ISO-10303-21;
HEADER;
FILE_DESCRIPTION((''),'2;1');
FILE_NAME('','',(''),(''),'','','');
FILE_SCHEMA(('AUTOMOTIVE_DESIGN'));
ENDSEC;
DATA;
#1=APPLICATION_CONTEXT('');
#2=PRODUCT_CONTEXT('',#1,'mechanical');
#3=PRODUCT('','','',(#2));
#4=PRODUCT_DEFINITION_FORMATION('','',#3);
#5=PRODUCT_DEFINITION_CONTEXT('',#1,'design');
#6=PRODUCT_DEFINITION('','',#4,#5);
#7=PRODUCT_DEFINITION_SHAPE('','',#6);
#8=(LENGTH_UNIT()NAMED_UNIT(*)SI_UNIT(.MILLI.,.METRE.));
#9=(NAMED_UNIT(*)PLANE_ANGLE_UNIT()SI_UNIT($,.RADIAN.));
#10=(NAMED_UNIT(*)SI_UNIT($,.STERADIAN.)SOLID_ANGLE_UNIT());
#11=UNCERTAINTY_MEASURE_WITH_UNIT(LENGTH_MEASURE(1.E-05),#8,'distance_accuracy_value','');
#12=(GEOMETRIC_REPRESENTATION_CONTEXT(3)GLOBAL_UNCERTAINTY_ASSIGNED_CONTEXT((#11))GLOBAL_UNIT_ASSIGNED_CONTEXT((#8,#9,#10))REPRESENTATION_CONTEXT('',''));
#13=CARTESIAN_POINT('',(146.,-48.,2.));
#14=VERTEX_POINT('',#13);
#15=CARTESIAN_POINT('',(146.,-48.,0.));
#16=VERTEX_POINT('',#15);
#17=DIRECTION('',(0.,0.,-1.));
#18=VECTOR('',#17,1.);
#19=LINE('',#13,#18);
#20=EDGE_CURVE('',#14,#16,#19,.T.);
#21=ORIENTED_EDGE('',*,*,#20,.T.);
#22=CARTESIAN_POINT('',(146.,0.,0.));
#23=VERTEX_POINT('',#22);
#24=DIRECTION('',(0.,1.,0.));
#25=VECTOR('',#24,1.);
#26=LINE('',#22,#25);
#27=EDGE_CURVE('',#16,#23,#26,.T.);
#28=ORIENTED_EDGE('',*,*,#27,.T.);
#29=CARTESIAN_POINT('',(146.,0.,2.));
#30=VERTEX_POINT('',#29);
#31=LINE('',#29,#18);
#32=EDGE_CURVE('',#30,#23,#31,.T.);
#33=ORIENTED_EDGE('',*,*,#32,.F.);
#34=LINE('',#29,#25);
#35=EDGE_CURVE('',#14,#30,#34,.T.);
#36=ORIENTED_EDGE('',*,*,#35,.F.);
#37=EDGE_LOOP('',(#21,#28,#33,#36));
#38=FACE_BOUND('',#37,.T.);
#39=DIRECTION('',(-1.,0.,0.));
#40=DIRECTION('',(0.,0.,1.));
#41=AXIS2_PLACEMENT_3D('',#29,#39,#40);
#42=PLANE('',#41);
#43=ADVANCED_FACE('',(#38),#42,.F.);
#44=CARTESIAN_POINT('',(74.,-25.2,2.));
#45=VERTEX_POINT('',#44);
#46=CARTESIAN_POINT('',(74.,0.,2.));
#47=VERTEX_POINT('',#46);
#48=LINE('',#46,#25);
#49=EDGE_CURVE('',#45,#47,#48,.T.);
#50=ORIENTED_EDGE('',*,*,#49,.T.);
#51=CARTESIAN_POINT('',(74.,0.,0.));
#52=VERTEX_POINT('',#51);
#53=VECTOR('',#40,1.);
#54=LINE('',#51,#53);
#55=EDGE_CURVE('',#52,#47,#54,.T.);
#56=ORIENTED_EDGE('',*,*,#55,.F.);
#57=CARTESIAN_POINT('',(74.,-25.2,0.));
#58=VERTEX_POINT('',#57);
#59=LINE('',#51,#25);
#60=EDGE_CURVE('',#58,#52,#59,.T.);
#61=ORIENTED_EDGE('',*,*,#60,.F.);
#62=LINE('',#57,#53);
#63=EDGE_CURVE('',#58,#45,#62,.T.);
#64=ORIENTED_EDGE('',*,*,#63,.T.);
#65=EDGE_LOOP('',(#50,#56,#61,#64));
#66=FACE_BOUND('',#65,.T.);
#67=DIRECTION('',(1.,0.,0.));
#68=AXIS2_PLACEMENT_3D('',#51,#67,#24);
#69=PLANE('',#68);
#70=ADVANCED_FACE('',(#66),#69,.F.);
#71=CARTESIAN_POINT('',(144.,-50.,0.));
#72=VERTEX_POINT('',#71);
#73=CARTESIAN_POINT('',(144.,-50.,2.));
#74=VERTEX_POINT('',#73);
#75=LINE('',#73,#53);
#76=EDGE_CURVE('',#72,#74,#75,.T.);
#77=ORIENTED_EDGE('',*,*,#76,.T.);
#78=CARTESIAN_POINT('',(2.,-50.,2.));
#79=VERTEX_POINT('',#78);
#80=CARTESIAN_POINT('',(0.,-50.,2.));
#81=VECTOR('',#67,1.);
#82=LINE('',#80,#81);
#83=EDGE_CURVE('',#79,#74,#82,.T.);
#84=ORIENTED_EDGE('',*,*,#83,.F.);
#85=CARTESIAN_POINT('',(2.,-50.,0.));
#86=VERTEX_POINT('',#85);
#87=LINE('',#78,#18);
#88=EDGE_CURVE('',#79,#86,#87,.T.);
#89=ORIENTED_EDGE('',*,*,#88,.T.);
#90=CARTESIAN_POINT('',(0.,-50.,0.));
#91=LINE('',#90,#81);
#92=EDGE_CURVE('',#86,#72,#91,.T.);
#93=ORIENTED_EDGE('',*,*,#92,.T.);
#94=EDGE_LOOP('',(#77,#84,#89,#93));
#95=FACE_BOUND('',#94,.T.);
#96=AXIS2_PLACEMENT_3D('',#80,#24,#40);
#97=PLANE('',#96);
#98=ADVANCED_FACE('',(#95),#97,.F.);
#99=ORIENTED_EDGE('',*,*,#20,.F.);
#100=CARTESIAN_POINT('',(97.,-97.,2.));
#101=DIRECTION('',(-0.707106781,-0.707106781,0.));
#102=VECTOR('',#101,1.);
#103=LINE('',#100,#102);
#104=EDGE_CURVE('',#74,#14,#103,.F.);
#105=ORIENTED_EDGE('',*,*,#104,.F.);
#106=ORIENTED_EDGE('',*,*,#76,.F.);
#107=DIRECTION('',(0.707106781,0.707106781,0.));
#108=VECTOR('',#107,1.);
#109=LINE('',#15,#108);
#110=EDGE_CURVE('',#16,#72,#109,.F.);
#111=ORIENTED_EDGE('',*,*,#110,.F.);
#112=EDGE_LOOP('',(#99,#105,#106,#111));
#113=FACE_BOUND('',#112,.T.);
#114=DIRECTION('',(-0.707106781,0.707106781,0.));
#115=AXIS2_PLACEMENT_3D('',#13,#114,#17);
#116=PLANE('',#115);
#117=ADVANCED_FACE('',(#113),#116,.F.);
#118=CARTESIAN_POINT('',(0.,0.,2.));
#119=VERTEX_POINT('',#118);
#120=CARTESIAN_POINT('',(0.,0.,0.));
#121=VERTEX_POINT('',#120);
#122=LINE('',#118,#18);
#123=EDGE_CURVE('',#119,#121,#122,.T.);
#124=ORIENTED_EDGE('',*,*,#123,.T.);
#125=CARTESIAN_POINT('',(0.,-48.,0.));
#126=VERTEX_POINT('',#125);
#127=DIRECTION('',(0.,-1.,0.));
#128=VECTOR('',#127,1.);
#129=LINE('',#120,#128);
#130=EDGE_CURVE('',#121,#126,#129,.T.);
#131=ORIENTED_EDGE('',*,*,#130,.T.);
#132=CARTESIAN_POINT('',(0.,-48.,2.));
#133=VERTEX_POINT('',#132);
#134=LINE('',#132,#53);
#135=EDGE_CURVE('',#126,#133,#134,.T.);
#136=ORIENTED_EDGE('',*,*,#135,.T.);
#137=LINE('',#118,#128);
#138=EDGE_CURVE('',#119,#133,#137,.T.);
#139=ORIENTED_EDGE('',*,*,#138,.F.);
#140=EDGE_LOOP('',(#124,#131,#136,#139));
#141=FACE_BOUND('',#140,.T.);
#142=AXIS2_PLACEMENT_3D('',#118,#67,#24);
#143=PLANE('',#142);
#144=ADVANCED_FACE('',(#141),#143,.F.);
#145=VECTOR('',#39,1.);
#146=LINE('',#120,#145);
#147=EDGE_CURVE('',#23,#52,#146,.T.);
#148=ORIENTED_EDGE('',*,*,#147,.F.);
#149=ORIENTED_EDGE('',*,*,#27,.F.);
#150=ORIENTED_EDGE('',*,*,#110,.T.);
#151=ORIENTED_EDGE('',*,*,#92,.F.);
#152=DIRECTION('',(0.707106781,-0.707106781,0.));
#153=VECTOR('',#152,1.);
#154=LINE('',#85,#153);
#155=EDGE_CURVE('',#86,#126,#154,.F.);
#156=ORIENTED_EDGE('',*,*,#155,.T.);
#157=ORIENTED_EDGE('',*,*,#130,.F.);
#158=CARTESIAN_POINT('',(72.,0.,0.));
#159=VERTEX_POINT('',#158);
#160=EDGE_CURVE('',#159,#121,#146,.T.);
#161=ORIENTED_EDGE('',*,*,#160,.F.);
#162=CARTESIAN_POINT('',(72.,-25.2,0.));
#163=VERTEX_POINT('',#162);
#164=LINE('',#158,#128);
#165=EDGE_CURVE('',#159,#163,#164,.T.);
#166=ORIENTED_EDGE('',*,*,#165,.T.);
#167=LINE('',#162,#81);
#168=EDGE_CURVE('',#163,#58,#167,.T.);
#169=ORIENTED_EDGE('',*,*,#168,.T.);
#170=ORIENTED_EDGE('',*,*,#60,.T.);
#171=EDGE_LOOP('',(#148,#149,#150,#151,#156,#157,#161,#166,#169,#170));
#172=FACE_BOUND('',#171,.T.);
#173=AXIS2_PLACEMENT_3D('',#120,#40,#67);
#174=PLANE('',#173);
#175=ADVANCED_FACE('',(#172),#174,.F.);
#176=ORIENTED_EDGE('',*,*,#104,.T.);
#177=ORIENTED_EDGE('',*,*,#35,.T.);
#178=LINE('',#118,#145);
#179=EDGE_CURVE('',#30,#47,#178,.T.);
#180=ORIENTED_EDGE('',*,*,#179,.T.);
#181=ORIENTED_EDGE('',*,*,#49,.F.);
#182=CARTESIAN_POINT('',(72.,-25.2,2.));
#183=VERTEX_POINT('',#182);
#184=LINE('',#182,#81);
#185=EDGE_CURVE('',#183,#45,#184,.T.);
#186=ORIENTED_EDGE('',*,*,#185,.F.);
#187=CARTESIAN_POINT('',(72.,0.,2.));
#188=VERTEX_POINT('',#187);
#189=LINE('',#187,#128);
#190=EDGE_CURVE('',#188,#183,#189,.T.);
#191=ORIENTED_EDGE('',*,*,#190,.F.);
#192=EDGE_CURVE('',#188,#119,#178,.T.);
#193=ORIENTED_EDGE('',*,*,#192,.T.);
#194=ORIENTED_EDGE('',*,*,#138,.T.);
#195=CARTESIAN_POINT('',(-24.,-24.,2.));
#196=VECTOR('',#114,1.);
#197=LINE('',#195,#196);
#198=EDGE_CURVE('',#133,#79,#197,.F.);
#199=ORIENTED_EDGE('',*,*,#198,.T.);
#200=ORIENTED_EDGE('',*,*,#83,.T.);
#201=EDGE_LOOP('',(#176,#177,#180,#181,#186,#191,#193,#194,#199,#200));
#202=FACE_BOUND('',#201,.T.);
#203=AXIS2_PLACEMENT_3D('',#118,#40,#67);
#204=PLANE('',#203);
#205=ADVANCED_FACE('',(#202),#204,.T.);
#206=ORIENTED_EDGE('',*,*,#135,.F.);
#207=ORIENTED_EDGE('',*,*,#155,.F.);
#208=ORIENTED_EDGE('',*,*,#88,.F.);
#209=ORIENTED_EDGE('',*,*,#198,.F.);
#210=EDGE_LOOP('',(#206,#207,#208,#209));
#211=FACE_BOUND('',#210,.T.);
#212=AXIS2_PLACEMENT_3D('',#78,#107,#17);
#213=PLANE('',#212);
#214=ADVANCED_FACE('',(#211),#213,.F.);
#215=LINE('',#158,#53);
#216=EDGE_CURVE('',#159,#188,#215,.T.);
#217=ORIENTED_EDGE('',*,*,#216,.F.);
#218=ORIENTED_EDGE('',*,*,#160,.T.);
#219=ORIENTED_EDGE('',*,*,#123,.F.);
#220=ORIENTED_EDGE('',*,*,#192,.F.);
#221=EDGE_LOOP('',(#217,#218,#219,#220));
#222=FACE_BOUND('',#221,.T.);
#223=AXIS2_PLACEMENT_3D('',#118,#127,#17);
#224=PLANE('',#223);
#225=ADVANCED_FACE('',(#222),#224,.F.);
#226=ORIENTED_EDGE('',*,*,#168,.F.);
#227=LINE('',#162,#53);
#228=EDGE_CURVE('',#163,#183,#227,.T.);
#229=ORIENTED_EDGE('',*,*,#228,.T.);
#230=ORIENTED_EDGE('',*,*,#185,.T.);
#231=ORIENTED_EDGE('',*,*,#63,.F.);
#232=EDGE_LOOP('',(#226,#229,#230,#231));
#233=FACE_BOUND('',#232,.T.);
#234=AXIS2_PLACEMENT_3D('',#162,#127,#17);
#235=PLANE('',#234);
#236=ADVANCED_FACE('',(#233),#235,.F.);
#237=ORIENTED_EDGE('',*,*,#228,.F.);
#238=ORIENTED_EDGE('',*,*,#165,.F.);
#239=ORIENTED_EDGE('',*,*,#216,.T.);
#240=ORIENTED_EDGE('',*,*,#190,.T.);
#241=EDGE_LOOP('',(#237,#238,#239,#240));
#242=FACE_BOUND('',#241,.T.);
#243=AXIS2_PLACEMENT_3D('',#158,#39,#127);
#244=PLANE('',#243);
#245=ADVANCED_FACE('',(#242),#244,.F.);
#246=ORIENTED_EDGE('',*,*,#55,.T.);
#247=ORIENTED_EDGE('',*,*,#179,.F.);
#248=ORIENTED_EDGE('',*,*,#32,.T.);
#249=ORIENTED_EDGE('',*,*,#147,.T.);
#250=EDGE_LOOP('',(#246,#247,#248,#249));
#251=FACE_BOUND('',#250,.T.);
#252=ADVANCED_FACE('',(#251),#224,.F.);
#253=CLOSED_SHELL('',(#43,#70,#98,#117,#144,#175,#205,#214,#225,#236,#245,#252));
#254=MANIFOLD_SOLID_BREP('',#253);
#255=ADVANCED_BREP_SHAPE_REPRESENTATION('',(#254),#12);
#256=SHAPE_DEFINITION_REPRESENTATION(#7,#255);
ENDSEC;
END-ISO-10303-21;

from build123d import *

# Parameters (mm, degrees)
SKETCH_1_W          = 146
SKETCH_1_H          = 50
EXTRUDE_1_DEPTH     = 2
CHAMFER_1_SIZE      = 2
SKETCH_2_W          = 2
SKETCH_2_H          = 25.2
CUT_EXTRUDE_1_DEPTH = 155.337292966


with BuildPart() as part:
    # 草图1 → 凸台-拉伸1 (new body)
    with BuildSketch(Plane.XY):
        with Locations((73, -25)):
            Rectangle(SKETCH_1_W, SKETCH_1_H)
    extrude(amount=EXTRUDE_1_DEPTH)

    # 倒角1
    chamfer_1_edges = [part.edges().sort_by_distance(p)[0] for p in [
        (146, -50, 1),
        (0, -50, 1),
    ]]
    chamfer(chamfer_1_edges, length=CHAMFER_1_SIZE)

    # 草图2 → 切除-拉伸1 (cut, through all)
    with BuildSketch(Plane.XY.offset(2)):
        with Locations((73, -12.6)):
            Rectangle(SKETCH_2_W, SKETCH_2_H)
    extrude(amount=-CUT_EXTRUDE_1_DEPTH, mode=Mode.SUBTRACT)


solid = part.part
